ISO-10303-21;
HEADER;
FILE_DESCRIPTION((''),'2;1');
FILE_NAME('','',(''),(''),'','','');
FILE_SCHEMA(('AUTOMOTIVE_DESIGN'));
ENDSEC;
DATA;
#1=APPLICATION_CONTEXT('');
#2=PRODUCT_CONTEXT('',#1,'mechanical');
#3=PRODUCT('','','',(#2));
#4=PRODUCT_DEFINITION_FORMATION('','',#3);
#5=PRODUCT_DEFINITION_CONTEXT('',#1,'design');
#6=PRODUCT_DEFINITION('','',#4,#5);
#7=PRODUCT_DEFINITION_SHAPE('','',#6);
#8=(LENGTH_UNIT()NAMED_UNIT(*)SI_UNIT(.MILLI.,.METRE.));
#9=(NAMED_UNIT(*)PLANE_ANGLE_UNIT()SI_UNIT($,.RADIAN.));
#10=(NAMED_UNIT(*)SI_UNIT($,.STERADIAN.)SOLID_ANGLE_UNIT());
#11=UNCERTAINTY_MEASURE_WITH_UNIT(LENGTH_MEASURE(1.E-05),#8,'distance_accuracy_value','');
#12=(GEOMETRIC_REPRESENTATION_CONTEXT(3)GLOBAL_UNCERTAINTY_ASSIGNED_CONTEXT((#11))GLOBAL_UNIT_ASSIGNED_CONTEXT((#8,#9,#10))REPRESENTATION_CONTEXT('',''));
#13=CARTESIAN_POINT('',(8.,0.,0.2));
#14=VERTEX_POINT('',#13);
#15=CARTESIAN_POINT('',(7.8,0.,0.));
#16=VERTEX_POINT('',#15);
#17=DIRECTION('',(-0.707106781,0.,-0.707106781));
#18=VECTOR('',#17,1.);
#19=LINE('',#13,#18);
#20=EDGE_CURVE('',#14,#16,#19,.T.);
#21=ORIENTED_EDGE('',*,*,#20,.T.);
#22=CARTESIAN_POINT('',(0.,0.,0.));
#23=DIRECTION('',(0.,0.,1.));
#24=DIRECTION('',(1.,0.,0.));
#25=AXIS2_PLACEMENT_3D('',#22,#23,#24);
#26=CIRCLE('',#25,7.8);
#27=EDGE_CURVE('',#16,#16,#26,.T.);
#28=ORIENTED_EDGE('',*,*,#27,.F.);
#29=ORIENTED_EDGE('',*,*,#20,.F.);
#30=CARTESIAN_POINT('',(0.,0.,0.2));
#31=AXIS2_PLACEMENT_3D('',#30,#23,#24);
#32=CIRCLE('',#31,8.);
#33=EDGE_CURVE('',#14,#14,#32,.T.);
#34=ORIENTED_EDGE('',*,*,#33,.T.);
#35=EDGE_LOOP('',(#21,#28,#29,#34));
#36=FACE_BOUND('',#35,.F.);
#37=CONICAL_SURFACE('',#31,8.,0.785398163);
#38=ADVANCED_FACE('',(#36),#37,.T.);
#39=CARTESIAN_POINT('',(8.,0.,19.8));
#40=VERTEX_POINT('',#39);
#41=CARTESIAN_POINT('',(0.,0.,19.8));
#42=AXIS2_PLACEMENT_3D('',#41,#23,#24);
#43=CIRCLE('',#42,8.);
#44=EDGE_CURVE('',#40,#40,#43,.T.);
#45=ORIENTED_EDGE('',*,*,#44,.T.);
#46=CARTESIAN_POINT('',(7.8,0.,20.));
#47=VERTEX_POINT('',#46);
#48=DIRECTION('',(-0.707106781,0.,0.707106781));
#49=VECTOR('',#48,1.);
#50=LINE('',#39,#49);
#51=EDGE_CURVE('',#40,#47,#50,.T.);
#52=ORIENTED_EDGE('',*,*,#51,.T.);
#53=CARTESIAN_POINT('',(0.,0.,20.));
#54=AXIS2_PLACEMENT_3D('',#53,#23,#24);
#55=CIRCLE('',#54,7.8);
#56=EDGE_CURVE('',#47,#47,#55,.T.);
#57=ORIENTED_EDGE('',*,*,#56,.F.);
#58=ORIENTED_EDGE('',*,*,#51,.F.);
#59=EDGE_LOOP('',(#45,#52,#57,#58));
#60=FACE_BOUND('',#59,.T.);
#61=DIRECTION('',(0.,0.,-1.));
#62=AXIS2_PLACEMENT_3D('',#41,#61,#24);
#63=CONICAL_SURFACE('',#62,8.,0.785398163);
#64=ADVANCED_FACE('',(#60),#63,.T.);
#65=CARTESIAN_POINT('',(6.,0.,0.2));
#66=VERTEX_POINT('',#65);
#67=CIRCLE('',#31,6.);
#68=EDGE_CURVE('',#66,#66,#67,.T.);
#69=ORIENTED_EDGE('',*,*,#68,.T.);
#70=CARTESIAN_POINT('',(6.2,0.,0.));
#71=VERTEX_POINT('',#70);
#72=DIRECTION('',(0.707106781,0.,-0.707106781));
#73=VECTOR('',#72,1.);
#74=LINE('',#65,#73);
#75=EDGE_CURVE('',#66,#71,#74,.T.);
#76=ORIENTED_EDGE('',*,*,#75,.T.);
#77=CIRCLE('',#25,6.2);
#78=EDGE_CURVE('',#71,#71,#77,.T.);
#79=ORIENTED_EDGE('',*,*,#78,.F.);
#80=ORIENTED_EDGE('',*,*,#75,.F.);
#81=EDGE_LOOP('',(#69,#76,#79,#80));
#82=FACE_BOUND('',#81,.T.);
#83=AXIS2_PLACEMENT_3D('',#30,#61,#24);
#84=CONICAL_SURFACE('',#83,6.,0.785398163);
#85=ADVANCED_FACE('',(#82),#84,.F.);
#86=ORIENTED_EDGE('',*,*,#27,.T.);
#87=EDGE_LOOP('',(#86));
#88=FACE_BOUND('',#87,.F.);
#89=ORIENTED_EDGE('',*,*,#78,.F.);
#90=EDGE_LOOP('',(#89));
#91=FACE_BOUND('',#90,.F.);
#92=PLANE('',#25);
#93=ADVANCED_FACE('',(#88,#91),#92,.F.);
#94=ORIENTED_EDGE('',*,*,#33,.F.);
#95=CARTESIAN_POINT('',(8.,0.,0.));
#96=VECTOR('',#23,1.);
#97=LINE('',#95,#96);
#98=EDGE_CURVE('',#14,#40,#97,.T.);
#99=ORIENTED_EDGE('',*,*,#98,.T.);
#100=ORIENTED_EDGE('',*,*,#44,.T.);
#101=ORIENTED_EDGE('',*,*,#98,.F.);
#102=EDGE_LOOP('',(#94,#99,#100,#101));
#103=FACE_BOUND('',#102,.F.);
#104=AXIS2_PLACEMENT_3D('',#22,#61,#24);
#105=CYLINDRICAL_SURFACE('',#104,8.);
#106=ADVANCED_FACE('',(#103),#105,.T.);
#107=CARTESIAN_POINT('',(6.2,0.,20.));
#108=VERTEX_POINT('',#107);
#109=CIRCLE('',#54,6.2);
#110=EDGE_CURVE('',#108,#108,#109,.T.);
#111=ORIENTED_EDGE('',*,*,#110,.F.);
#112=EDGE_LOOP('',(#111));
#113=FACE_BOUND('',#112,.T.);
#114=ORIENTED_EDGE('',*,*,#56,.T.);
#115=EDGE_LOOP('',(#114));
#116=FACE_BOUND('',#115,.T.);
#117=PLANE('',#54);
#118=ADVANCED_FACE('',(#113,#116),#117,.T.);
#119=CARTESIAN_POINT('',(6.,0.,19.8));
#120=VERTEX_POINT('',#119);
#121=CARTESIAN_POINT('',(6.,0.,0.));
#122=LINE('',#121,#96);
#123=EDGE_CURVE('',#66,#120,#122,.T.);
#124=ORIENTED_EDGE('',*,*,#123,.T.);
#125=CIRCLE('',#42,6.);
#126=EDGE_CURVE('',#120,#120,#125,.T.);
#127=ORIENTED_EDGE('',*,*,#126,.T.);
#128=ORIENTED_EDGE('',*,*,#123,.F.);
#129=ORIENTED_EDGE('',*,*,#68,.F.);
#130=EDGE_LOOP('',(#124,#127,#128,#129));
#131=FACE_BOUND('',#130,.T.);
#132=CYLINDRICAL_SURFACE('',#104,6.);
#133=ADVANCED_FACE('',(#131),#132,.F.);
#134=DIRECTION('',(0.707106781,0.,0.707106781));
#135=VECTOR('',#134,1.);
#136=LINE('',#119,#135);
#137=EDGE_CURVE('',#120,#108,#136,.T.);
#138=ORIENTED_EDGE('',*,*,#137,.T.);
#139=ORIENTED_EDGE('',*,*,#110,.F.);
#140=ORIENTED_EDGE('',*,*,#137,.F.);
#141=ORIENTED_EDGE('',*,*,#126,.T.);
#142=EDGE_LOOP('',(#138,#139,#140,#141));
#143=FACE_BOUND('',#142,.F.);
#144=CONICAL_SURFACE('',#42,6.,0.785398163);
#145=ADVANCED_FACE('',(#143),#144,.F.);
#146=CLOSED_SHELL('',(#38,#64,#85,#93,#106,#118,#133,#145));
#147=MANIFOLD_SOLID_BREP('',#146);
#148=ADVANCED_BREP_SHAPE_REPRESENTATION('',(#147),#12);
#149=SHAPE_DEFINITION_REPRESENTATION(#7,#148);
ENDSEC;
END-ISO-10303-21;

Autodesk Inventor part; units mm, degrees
ref_plane "YZ Plane" through (0, 0, 0) normal (1, 0, 0) x (0, 1, 0)
ref_plane "XZ Plane" through (0, 0, 0) normal (0, 1, 0) x (-1, 0, 0)
ref_plane "XY Plane" through (0, 0, 0) normal (0, 0, 1) x (1, 0, 0)
sketch "Sketch1" plane through (0, 0, 0) normal (0, 0, 1) x (1, 0, 0)
  circle A0 centre (0, 0) radius 6
  circle A1 centre (0, 0) radius 8
  dimension "d0" = 12
  dimension "d1" = 16
extrude "Extrusion1" add sketch "Sketch1" along normal blind 20
chamfer "Chamfer1" distance 0.2 angle 45 4 edges at (-6, 0, 20) (-8, 0, 20) (-8, 0, 0) (-6, 0, 0)
properties part number "RobotChassis_joint0_Bush"
